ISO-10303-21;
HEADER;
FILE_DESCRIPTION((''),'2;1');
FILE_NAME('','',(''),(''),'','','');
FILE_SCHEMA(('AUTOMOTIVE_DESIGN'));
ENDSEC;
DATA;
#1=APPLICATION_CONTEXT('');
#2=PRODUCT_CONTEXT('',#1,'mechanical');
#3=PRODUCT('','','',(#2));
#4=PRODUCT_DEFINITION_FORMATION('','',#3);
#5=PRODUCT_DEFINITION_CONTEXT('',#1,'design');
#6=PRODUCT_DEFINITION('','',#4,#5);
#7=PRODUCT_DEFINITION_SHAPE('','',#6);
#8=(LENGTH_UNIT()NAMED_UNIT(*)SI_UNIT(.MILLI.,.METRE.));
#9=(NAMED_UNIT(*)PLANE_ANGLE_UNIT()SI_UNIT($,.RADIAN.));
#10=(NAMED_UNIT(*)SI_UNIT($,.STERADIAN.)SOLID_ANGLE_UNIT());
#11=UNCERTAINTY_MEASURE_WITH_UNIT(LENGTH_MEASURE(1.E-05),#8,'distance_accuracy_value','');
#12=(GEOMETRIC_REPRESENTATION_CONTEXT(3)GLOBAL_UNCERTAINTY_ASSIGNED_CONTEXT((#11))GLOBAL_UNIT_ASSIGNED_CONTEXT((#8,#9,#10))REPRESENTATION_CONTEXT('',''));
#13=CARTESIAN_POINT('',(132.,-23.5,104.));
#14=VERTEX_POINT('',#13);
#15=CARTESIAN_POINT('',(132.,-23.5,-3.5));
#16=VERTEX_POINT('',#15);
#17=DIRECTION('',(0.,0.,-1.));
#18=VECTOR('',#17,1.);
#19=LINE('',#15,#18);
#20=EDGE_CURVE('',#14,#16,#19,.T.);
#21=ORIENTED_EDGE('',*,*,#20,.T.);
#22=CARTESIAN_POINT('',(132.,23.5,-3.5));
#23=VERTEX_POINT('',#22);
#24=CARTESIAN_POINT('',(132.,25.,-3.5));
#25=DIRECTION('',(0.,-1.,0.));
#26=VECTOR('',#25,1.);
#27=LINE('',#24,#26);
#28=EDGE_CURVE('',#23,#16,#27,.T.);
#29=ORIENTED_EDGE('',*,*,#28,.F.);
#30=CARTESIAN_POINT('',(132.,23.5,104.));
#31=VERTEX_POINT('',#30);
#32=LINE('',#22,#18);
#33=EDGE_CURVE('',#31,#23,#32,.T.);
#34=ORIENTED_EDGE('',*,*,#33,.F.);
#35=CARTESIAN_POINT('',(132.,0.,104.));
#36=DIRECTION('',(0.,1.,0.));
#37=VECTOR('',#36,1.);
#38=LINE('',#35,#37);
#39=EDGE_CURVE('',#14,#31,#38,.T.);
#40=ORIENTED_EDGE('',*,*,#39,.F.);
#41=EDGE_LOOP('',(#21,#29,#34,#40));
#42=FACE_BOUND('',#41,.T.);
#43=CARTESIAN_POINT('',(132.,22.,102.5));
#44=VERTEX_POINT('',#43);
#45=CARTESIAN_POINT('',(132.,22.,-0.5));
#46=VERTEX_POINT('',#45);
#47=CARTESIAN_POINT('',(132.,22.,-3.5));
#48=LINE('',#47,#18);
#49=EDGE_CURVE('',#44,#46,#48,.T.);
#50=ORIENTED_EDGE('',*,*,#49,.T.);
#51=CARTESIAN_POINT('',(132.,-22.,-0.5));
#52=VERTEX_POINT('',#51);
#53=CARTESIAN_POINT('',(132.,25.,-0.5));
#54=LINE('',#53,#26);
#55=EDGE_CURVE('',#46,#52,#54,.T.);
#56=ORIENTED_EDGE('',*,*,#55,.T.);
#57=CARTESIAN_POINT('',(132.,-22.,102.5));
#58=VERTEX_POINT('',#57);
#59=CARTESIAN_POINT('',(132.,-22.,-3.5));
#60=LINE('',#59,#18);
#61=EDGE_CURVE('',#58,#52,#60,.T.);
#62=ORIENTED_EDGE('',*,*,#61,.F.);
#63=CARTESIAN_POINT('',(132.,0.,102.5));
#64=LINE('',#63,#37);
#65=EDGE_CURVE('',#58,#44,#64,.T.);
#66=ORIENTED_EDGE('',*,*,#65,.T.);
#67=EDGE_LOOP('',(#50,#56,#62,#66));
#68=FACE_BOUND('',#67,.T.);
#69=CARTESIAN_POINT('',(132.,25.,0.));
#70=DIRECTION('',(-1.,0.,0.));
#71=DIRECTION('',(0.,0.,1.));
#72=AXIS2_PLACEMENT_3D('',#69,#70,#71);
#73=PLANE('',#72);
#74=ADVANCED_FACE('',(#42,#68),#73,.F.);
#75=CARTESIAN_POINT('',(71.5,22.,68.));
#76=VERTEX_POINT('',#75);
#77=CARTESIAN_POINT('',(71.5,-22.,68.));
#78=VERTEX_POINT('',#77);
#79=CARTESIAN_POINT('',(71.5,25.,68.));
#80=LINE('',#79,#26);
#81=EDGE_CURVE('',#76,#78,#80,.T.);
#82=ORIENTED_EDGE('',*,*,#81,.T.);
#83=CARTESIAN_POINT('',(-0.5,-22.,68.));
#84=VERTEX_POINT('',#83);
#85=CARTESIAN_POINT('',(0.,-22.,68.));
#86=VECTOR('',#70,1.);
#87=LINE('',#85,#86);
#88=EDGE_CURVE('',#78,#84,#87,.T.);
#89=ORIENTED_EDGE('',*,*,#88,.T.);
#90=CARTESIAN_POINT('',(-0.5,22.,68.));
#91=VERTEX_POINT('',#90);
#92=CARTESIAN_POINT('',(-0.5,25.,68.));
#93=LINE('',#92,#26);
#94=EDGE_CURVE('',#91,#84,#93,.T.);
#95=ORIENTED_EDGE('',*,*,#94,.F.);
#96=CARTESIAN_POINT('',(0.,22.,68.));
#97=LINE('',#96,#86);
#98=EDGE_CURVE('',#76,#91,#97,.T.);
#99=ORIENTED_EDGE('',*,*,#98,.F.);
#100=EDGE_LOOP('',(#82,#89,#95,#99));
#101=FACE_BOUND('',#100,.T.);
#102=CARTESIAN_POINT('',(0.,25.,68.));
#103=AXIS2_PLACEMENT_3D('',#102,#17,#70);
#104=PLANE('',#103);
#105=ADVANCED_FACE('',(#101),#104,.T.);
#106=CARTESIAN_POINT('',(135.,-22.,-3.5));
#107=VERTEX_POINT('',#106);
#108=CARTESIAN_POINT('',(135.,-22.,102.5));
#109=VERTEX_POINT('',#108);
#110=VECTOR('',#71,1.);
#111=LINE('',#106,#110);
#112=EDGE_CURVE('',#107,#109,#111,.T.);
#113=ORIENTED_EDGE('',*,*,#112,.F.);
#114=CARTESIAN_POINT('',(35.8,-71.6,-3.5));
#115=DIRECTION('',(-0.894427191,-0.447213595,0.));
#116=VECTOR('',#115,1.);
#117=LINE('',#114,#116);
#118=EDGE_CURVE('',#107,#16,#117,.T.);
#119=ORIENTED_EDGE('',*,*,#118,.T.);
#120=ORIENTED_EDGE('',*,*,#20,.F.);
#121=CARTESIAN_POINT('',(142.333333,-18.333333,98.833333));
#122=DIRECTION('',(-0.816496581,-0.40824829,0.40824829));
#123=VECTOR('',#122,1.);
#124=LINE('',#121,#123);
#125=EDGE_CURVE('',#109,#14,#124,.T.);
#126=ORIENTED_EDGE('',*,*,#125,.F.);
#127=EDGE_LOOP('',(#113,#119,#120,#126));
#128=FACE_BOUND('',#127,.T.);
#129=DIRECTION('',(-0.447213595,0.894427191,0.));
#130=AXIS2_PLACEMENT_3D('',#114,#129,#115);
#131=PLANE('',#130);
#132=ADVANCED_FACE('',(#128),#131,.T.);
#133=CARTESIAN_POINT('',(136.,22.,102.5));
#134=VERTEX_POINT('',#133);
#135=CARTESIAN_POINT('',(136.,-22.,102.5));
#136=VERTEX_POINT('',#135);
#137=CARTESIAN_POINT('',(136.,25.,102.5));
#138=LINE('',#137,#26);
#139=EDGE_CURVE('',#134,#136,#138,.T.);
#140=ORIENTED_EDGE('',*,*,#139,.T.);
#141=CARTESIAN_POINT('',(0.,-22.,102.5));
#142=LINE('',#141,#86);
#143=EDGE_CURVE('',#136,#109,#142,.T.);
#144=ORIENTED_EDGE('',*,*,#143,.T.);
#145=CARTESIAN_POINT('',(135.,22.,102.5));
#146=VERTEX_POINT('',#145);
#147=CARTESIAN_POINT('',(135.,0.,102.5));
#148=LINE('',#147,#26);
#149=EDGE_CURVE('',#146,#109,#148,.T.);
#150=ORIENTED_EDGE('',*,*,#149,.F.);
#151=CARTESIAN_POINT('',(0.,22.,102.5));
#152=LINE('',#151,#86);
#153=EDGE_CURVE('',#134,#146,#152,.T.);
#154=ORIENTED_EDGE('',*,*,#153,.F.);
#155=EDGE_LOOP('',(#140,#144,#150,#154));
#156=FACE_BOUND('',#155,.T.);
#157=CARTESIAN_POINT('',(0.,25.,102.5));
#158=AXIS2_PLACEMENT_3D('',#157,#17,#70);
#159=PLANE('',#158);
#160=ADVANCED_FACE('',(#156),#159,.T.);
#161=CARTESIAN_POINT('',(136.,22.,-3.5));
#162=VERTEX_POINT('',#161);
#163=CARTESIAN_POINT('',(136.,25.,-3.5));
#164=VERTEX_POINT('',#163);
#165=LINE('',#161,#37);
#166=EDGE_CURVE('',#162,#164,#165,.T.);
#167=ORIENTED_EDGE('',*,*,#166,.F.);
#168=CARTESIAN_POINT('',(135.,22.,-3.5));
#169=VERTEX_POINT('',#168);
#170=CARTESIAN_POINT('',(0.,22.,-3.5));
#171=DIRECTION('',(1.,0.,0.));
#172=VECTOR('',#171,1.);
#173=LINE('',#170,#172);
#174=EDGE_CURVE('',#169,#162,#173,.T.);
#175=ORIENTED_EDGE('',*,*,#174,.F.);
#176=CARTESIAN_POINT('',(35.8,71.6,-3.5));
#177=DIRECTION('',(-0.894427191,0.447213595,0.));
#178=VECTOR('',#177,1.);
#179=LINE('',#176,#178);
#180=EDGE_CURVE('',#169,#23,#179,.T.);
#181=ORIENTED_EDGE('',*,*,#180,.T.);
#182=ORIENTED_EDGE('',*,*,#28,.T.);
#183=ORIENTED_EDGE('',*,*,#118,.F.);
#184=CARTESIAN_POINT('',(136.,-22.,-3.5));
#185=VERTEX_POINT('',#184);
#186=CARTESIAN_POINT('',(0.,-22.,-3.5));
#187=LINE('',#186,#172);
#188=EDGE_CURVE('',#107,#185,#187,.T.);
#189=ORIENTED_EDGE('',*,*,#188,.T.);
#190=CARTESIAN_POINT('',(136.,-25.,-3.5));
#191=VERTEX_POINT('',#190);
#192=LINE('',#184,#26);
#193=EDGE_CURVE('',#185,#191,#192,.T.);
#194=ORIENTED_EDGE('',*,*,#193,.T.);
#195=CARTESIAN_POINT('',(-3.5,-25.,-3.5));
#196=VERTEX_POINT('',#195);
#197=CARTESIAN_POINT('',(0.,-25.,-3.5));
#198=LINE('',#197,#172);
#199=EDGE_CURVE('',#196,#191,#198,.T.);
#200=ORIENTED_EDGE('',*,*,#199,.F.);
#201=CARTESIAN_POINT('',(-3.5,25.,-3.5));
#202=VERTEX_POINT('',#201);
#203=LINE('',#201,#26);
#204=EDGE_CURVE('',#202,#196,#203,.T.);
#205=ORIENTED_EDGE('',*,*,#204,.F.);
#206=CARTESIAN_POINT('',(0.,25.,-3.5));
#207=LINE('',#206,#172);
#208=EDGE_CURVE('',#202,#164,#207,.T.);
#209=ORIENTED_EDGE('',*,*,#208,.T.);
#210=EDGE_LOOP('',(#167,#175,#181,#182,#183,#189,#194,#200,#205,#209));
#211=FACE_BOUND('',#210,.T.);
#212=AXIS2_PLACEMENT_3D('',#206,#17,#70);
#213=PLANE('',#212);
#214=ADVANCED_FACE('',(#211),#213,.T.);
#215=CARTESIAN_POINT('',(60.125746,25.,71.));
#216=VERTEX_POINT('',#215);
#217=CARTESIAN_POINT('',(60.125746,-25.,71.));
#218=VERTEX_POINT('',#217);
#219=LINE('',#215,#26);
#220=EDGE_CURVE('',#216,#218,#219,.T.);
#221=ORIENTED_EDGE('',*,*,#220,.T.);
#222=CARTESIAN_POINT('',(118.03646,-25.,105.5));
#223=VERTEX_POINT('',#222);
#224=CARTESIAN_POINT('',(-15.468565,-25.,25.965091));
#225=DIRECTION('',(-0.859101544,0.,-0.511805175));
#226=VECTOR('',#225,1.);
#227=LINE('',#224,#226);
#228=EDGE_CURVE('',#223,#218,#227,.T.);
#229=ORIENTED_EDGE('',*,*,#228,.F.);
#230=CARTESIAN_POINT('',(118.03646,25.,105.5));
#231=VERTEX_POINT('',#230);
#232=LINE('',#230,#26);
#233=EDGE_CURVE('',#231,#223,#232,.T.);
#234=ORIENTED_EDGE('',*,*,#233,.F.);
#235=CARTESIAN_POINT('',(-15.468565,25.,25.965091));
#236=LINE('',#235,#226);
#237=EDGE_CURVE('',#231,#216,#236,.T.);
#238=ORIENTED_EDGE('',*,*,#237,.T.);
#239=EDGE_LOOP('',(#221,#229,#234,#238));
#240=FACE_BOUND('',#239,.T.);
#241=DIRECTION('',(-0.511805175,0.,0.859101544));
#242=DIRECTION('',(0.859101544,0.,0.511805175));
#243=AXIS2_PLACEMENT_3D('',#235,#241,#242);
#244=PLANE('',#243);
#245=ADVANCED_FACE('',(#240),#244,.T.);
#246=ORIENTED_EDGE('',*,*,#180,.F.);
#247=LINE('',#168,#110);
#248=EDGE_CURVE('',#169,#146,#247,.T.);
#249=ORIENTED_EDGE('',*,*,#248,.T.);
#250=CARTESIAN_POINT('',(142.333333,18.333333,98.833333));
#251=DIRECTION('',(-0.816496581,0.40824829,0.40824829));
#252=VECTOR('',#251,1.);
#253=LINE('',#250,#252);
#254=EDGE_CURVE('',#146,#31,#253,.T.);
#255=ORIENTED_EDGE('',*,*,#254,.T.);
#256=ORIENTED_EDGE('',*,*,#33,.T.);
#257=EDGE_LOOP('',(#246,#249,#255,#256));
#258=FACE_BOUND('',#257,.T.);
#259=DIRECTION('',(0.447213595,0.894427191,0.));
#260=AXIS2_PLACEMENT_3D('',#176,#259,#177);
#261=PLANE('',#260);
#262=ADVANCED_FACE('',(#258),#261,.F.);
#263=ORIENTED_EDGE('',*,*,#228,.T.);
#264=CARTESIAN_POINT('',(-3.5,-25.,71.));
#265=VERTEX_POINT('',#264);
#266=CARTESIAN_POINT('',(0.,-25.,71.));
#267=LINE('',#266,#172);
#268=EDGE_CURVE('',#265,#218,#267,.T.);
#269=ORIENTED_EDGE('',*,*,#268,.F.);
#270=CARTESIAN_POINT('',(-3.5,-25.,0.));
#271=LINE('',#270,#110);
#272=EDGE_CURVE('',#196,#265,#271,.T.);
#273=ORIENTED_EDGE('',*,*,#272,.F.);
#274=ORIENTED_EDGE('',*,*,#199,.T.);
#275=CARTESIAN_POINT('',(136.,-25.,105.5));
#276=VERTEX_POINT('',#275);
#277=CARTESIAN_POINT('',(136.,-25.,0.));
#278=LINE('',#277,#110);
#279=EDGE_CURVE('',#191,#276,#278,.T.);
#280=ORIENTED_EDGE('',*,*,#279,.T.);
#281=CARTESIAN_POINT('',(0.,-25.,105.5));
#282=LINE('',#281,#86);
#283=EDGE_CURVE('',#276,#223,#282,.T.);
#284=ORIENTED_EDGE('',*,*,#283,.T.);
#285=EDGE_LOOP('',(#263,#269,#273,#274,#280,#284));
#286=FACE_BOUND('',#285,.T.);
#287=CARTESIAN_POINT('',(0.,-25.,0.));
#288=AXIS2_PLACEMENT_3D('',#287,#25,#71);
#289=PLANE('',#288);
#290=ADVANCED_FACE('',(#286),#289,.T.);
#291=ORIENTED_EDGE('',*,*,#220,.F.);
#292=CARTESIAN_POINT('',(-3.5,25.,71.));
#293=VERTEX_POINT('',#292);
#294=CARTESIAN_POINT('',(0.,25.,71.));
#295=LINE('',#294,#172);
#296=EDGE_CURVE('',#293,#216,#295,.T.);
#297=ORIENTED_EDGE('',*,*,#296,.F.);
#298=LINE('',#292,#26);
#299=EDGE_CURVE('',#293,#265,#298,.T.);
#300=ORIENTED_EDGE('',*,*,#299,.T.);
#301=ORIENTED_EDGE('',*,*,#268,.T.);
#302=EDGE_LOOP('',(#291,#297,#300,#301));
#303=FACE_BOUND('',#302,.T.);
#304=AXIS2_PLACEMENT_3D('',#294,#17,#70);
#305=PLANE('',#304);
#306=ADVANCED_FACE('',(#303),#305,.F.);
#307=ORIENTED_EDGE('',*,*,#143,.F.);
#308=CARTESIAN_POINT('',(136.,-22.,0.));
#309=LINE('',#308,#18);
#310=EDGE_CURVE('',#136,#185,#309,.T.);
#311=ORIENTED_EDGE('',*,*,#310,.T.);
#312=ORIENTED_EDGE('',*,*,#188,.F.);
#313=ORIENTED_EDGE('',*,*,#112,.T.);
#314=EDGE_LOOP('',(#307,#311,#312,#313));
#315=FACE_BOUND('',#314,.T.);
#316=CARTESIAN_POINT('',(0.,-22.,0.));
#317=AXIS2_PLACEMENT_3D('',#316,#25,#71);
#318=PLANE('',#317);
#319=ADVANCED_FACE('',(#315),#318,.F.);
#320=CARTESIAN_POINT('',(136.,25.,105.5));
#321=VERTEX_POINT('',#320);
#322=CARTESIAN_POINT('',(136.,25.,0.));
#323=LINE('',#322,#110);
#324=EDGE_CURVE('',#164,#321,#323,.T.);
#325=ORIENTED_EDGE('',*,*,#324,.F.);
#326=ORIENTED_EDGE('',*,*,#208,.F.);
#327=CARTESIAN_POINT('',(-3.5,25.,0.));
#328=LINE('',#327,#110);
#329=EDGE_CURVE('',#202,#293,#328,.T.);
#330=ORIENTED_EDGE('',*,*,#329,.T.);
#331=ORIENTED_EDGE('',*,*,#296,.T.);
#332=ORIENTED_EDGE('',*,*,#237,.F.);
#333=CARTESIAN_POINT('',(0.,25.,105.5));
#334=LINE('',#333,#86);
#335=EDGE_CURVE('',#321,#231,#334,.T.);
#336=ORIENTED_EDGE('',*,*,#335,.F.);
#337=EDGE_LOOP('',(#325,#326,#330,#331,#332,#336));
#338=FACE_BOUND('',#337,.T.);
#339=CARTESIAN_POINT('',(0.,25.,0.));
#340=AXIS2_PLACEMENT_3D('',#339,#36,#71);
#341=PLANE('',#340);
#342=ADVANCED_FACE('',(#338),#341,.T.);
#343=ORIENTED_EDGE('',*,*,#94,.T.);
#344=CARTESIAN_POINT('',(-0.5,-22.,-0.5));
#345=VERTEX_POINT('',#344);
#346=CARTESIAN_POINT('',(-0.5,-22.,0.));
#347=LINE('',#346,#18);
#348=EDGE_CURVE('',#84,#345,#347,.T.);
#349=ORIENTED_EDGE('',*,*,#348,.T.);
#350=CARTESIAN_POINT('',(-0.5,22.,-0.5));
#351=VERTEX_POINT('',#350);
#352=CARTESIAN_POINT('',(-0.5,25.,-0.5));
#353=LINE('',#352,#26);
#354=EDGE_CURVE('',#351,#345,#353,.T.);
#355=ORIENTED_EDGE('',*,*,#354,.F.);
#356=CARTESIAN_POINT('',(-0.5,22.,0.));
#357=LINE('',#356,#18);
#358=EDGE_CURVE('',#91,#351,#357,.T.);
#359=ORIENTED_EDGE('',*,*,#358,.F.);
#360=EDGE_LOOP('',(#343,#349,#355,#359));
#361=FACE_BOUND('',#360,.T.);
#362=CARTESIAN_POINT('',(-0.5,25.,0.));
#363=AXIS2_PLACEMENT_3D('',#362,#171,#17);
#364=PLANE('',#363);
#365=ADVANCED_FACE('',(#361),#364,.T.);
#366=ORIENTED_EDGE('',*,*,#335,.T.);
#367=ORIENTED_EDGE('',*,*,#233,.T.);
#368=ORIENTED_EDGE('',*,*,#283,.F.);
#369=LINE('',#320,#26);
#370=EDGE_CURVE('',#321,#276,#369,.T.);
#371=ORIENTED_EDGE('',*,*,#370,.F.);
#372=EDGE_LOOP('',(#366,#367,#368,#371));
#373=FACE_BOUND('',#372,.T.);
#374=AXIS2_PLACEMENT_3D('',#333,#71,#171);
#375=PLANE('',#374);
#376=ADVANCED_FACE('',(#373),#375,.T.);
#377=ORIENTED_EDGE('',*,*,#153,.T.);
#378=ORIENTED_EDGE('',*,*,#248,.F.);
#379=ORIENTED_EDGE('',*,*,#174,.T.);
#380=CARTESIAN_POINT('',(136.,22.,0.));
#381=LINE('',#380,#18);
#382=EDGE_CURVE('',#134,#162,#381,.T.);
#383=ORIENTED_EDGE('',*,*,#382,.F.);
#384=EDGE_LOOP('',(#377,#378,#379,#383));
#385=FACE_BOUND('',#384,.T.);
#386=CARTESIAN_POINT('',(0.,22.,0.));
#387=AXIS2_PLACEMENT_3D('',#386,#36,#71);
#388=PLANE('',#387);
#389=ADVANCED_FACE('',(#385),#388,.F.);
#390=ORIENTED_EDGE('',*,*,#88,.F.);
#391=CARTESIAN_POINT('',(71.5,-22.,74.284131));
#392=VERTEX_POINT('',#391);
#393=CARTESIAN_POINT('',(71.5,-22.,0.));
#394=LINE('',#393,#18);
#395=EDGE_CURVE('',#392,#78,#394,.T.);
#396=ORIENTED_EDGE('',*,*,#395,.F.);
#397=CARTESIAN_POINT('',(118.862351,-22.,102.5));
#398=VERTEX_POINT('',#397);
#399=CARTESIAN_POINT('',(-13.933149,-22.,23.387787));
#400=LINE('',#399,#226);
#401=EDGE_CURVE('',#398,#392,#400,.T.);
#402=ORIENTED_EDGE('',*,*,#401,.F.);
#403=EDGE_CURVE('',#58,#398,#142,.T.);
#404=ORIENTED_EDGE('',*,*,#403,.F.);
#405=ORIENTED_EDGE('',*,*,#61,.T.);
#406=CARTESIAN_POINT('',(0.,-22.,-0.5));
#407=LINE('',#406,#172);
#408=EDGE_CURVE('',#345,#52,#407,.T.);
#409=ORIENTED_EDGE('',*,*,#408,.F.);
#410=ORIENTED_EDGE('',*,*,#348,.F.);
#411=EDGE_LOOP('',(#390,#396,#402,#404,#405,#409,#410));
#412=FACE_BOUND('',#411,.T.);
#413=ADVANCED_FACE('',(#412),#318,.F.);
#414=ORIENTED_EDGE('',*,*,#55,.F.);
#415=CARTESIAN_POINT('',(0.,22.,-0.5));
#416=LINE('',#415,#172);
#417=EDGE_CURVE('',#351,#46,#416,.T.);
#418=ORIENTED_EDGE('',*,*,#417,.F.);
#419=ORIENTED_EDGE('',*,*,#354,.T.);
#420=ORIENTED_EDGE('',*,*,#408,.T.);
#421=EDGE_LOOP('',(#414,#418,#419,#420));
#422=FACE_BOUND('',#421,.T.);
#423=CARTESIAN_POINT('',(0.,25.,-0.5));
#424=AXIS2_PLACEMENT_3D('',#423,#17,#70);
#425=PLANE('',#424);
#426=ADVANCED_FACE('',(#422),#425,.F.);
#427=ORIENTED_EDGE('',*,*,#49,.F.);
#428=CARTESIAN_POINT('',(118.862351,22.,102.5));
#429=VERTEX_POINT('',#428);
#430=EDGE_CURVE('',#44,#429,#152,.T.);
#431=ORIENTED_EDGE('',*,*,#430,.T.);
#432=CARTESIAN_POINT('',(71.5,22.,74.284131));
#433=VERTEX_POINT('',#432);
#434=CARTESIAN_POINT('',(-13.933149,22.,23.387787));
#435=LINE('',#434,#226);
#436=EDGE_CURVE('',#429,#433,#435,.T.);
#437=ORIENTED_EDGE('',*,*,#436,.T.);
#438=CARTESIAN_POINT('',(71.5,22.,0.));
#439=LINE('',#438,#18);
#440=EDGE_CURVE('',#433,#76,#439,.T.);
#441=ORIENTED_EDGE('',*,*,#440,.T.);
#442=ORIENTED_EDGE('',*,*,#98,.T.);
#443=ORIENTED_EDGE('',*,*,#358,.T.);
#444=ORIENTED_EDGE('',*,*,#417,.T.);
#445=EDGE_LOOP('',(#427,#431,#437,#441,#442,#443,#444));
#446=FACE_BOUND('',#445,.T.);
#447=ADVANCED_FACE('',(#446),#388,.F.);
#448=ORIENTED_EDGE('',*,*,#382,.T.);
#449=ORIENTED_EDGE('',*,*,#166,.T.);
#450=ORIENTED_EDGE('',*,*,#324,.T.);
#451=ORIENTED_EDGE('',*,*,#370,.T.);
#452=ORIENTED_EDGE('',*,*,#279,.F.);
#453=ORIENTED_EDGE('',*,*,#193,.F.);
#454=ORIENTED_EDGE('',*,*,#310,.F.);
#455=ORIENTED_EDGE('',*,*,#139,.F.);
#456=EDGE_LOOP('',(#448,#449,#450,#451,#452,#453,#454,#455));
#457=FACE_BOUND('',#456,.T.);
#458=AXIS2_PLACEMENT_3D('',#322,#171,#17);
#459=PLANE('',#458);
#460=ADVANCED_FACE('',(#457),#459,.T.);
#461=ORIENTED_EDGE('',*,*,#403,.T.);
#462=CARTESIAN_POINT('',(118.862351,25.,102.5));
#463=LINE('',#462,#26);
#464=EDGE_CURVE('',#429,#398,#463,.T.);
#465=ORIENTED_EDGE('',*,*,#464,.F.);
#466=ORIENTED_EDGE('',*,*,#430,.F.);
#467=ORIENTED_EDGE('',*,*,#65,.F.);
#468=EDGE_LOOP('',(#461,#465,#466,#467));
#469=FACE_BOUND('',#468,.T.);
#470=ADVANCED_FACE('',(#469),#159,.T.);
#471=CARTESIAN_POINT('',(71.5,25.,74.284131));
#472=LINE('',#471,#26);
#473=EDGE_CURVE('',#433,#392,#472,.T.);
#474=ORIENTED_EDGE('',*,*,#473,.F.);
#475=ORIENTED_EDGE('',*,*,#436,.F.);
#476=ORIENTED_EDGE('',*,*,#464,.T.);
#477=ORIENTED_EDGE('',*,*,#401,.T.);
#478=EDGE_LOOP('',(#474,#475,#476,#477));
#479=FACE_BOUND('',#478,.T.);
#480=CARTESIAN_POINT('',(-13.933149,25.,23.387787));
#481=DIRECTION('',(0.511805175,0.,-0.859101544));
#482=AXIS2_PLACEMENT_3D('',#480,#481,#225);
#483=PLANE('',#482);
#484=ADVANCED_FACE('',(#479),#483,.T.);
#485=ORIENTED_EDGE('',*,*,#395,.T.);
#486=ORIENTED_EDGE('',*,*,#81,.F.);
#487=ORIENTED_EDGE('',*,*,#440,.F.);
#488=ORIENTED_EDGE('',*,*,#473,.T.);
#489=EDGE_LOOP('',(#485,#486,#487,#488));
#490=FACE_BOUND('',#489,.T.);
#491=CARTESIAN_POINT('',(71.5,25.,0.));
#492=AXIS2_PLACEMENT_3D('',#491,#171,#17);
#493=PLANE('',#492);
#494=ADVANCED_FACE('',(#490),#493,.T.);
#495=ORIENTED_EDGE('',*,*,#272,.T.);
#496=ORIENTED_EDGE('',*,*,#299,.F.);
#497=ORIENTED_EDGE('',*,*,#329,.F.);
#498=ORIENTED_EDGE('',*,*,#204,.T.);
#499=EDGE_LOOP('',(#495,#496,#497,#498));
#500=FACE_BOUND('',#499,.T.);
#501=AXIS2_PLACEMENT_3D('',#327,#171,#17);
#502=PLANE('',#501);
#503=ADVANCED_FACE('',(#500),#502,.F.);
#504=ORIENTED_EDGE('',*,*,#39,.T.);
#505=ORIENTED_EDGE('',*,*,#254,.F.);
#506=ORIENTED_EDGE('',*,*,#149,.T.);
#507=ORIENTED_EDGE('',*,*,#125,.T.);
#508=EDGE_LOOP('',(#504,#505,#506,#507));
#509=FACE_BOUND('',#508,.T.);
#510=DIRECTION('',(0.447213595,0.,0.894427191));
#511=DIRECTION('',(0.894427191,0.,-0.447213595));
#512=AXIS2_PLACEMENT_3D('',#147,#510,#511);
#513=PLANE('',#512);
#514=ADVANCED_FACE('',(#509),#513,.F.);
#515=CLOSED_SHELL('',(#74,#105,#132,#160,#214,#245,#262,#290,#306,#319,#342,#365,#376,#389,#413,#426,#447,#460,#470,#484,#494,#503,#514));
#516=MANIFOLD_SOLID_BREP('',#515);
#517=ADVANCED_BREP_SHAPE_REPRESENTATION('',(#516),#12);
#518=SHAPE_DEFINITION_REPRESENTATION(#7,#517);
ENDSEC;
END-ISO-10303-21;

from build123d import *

# Parameters (mm, degrees)
BOSS_EXTRUDE1_DEPTH = 25
BOSS_EXTRUDE2_DEPTH = 3
SKETCH5_W           = 3
SKETCH5_H           = 22
CUT_EXTRUDE1_DEPTH  = 1.5
SKETCH6_W           = 3
SKETCH6_H           = 107.5
CUT_EXTRUDE2_DEPTH  = 1.5
BOSS_EXTRUDE4_DEPTH = 23.5
BOSS_EXTRUDE5_DEPTH = 109


with BuildPart() as part:
    # PCB → Boss-Extrude1 (new body)
    with BuildSketch(Plane(origin=(0, 0, 0), x_dir=(1, 0, 0), z_dir=(0, 1, 0))):
        Polygon((118.862351474, -102.5), (71.5, -74.284131037), (71.5, -68), (-0.5, -68), (-0.5, 0.5), (132, 0.5), (132, 3.5), (-3.5, 3.5), (-3.5, -71), (60.125746031, -71), (68.5, -75.988917258), (118.036460317, -105.5), (135, -105.5), (136, -105.5), (136, -102.5), (132, -102.5), align=None)
    boss_extrude1 = extrude(amount=BOSS_EXTRUDE1_DEPTH)

    # Sketch4 → Boss-Extrude2 (add)
    with BuildSketch(Plane(origin=(0, 25, 0), x_dir=(1, 0, 0), z_dir=(0, 1, 0))):
        Polygon((118.862351474, -102.5), (136, -102.5), (136, 3.5), (132, 3.5), (132, 0.5), (-0.5, 0.5), (-0.5, -68), (71.5, -68), (71.5, -74.284131037), align=None)
    boss_extrude2 = extrude(amount=-BOSS_EXTRUDE2_DEPTH)

    # Sketch5 → Cut-Extrude1 (cut)
    with BuildSketch(Plane(origin=(0, 0, 102.5), x_dir=(-1, 0, 0), z_dir=(0, 0, -1))):
        with Locations((-133.5, 11)):
            Rectangle(SKETCH5_W, SKETCH5_H)
    cut_extrude1 = extrude(amount=-CUT_EXTRUDE1_DEPTH, mode=Mode.SUBTRACT)

    # Sketch6 → Cut-Extrude2 (cut)
    with BuildSketch(Plane.XZ.offset(-22)):
        with Locations((133.5, 50.25)):
            Rectangle(SKETCH6_W, SKETCH6_H)
    cut_extrude2 = extrude(amount=-CUT_EXTRUDE2_DEPTH, mode=Mode.SUBTRACT)

    # Sketch7 → Boss-Extrude4 (add)
    with BuildSketch(Plane.XZ.offset(-23.5)):
        Polygon((135, 102.5), (132, 104), (135, 104), align=None)
    boss_extrude4 = extrude(amount=BOSS_EXTRUDE4_DEPTH)

    # Sketch8 → Boss-Extrude5 (add)
    with BuildSketch(Plane.XY.offset(105.5)):
        Polygon((135, 22), (132, 23.5), (135, 23.5), align=None)
    boss_extrude5 = extrude(amount=-BOSS_EXTRUDE5_DEPTH)

    # Mirror2: Boss-Extrude1, Boss-Extrude2, Cut-Extrude1, Cut-Extrude2, Boss-Extrude4, Boss-Extrude5 across plane
    add(boss_extrude1.mirror(Plane.ZX))
    add(boss_extrude2.mirror(Plane.ZX))
    add(cut_extrude1.mirror(Plane.ZX), mode=Mode.SUBTRACT)
    add(cut_extrude2.mirror(Plane.ZX), mode=Mode.SUBTRACT)
    add(boss_extrude4.mirror(Plane.ZX))
    add(boss_extrude5.mirror(Plane.ZX))


solid = part.part
